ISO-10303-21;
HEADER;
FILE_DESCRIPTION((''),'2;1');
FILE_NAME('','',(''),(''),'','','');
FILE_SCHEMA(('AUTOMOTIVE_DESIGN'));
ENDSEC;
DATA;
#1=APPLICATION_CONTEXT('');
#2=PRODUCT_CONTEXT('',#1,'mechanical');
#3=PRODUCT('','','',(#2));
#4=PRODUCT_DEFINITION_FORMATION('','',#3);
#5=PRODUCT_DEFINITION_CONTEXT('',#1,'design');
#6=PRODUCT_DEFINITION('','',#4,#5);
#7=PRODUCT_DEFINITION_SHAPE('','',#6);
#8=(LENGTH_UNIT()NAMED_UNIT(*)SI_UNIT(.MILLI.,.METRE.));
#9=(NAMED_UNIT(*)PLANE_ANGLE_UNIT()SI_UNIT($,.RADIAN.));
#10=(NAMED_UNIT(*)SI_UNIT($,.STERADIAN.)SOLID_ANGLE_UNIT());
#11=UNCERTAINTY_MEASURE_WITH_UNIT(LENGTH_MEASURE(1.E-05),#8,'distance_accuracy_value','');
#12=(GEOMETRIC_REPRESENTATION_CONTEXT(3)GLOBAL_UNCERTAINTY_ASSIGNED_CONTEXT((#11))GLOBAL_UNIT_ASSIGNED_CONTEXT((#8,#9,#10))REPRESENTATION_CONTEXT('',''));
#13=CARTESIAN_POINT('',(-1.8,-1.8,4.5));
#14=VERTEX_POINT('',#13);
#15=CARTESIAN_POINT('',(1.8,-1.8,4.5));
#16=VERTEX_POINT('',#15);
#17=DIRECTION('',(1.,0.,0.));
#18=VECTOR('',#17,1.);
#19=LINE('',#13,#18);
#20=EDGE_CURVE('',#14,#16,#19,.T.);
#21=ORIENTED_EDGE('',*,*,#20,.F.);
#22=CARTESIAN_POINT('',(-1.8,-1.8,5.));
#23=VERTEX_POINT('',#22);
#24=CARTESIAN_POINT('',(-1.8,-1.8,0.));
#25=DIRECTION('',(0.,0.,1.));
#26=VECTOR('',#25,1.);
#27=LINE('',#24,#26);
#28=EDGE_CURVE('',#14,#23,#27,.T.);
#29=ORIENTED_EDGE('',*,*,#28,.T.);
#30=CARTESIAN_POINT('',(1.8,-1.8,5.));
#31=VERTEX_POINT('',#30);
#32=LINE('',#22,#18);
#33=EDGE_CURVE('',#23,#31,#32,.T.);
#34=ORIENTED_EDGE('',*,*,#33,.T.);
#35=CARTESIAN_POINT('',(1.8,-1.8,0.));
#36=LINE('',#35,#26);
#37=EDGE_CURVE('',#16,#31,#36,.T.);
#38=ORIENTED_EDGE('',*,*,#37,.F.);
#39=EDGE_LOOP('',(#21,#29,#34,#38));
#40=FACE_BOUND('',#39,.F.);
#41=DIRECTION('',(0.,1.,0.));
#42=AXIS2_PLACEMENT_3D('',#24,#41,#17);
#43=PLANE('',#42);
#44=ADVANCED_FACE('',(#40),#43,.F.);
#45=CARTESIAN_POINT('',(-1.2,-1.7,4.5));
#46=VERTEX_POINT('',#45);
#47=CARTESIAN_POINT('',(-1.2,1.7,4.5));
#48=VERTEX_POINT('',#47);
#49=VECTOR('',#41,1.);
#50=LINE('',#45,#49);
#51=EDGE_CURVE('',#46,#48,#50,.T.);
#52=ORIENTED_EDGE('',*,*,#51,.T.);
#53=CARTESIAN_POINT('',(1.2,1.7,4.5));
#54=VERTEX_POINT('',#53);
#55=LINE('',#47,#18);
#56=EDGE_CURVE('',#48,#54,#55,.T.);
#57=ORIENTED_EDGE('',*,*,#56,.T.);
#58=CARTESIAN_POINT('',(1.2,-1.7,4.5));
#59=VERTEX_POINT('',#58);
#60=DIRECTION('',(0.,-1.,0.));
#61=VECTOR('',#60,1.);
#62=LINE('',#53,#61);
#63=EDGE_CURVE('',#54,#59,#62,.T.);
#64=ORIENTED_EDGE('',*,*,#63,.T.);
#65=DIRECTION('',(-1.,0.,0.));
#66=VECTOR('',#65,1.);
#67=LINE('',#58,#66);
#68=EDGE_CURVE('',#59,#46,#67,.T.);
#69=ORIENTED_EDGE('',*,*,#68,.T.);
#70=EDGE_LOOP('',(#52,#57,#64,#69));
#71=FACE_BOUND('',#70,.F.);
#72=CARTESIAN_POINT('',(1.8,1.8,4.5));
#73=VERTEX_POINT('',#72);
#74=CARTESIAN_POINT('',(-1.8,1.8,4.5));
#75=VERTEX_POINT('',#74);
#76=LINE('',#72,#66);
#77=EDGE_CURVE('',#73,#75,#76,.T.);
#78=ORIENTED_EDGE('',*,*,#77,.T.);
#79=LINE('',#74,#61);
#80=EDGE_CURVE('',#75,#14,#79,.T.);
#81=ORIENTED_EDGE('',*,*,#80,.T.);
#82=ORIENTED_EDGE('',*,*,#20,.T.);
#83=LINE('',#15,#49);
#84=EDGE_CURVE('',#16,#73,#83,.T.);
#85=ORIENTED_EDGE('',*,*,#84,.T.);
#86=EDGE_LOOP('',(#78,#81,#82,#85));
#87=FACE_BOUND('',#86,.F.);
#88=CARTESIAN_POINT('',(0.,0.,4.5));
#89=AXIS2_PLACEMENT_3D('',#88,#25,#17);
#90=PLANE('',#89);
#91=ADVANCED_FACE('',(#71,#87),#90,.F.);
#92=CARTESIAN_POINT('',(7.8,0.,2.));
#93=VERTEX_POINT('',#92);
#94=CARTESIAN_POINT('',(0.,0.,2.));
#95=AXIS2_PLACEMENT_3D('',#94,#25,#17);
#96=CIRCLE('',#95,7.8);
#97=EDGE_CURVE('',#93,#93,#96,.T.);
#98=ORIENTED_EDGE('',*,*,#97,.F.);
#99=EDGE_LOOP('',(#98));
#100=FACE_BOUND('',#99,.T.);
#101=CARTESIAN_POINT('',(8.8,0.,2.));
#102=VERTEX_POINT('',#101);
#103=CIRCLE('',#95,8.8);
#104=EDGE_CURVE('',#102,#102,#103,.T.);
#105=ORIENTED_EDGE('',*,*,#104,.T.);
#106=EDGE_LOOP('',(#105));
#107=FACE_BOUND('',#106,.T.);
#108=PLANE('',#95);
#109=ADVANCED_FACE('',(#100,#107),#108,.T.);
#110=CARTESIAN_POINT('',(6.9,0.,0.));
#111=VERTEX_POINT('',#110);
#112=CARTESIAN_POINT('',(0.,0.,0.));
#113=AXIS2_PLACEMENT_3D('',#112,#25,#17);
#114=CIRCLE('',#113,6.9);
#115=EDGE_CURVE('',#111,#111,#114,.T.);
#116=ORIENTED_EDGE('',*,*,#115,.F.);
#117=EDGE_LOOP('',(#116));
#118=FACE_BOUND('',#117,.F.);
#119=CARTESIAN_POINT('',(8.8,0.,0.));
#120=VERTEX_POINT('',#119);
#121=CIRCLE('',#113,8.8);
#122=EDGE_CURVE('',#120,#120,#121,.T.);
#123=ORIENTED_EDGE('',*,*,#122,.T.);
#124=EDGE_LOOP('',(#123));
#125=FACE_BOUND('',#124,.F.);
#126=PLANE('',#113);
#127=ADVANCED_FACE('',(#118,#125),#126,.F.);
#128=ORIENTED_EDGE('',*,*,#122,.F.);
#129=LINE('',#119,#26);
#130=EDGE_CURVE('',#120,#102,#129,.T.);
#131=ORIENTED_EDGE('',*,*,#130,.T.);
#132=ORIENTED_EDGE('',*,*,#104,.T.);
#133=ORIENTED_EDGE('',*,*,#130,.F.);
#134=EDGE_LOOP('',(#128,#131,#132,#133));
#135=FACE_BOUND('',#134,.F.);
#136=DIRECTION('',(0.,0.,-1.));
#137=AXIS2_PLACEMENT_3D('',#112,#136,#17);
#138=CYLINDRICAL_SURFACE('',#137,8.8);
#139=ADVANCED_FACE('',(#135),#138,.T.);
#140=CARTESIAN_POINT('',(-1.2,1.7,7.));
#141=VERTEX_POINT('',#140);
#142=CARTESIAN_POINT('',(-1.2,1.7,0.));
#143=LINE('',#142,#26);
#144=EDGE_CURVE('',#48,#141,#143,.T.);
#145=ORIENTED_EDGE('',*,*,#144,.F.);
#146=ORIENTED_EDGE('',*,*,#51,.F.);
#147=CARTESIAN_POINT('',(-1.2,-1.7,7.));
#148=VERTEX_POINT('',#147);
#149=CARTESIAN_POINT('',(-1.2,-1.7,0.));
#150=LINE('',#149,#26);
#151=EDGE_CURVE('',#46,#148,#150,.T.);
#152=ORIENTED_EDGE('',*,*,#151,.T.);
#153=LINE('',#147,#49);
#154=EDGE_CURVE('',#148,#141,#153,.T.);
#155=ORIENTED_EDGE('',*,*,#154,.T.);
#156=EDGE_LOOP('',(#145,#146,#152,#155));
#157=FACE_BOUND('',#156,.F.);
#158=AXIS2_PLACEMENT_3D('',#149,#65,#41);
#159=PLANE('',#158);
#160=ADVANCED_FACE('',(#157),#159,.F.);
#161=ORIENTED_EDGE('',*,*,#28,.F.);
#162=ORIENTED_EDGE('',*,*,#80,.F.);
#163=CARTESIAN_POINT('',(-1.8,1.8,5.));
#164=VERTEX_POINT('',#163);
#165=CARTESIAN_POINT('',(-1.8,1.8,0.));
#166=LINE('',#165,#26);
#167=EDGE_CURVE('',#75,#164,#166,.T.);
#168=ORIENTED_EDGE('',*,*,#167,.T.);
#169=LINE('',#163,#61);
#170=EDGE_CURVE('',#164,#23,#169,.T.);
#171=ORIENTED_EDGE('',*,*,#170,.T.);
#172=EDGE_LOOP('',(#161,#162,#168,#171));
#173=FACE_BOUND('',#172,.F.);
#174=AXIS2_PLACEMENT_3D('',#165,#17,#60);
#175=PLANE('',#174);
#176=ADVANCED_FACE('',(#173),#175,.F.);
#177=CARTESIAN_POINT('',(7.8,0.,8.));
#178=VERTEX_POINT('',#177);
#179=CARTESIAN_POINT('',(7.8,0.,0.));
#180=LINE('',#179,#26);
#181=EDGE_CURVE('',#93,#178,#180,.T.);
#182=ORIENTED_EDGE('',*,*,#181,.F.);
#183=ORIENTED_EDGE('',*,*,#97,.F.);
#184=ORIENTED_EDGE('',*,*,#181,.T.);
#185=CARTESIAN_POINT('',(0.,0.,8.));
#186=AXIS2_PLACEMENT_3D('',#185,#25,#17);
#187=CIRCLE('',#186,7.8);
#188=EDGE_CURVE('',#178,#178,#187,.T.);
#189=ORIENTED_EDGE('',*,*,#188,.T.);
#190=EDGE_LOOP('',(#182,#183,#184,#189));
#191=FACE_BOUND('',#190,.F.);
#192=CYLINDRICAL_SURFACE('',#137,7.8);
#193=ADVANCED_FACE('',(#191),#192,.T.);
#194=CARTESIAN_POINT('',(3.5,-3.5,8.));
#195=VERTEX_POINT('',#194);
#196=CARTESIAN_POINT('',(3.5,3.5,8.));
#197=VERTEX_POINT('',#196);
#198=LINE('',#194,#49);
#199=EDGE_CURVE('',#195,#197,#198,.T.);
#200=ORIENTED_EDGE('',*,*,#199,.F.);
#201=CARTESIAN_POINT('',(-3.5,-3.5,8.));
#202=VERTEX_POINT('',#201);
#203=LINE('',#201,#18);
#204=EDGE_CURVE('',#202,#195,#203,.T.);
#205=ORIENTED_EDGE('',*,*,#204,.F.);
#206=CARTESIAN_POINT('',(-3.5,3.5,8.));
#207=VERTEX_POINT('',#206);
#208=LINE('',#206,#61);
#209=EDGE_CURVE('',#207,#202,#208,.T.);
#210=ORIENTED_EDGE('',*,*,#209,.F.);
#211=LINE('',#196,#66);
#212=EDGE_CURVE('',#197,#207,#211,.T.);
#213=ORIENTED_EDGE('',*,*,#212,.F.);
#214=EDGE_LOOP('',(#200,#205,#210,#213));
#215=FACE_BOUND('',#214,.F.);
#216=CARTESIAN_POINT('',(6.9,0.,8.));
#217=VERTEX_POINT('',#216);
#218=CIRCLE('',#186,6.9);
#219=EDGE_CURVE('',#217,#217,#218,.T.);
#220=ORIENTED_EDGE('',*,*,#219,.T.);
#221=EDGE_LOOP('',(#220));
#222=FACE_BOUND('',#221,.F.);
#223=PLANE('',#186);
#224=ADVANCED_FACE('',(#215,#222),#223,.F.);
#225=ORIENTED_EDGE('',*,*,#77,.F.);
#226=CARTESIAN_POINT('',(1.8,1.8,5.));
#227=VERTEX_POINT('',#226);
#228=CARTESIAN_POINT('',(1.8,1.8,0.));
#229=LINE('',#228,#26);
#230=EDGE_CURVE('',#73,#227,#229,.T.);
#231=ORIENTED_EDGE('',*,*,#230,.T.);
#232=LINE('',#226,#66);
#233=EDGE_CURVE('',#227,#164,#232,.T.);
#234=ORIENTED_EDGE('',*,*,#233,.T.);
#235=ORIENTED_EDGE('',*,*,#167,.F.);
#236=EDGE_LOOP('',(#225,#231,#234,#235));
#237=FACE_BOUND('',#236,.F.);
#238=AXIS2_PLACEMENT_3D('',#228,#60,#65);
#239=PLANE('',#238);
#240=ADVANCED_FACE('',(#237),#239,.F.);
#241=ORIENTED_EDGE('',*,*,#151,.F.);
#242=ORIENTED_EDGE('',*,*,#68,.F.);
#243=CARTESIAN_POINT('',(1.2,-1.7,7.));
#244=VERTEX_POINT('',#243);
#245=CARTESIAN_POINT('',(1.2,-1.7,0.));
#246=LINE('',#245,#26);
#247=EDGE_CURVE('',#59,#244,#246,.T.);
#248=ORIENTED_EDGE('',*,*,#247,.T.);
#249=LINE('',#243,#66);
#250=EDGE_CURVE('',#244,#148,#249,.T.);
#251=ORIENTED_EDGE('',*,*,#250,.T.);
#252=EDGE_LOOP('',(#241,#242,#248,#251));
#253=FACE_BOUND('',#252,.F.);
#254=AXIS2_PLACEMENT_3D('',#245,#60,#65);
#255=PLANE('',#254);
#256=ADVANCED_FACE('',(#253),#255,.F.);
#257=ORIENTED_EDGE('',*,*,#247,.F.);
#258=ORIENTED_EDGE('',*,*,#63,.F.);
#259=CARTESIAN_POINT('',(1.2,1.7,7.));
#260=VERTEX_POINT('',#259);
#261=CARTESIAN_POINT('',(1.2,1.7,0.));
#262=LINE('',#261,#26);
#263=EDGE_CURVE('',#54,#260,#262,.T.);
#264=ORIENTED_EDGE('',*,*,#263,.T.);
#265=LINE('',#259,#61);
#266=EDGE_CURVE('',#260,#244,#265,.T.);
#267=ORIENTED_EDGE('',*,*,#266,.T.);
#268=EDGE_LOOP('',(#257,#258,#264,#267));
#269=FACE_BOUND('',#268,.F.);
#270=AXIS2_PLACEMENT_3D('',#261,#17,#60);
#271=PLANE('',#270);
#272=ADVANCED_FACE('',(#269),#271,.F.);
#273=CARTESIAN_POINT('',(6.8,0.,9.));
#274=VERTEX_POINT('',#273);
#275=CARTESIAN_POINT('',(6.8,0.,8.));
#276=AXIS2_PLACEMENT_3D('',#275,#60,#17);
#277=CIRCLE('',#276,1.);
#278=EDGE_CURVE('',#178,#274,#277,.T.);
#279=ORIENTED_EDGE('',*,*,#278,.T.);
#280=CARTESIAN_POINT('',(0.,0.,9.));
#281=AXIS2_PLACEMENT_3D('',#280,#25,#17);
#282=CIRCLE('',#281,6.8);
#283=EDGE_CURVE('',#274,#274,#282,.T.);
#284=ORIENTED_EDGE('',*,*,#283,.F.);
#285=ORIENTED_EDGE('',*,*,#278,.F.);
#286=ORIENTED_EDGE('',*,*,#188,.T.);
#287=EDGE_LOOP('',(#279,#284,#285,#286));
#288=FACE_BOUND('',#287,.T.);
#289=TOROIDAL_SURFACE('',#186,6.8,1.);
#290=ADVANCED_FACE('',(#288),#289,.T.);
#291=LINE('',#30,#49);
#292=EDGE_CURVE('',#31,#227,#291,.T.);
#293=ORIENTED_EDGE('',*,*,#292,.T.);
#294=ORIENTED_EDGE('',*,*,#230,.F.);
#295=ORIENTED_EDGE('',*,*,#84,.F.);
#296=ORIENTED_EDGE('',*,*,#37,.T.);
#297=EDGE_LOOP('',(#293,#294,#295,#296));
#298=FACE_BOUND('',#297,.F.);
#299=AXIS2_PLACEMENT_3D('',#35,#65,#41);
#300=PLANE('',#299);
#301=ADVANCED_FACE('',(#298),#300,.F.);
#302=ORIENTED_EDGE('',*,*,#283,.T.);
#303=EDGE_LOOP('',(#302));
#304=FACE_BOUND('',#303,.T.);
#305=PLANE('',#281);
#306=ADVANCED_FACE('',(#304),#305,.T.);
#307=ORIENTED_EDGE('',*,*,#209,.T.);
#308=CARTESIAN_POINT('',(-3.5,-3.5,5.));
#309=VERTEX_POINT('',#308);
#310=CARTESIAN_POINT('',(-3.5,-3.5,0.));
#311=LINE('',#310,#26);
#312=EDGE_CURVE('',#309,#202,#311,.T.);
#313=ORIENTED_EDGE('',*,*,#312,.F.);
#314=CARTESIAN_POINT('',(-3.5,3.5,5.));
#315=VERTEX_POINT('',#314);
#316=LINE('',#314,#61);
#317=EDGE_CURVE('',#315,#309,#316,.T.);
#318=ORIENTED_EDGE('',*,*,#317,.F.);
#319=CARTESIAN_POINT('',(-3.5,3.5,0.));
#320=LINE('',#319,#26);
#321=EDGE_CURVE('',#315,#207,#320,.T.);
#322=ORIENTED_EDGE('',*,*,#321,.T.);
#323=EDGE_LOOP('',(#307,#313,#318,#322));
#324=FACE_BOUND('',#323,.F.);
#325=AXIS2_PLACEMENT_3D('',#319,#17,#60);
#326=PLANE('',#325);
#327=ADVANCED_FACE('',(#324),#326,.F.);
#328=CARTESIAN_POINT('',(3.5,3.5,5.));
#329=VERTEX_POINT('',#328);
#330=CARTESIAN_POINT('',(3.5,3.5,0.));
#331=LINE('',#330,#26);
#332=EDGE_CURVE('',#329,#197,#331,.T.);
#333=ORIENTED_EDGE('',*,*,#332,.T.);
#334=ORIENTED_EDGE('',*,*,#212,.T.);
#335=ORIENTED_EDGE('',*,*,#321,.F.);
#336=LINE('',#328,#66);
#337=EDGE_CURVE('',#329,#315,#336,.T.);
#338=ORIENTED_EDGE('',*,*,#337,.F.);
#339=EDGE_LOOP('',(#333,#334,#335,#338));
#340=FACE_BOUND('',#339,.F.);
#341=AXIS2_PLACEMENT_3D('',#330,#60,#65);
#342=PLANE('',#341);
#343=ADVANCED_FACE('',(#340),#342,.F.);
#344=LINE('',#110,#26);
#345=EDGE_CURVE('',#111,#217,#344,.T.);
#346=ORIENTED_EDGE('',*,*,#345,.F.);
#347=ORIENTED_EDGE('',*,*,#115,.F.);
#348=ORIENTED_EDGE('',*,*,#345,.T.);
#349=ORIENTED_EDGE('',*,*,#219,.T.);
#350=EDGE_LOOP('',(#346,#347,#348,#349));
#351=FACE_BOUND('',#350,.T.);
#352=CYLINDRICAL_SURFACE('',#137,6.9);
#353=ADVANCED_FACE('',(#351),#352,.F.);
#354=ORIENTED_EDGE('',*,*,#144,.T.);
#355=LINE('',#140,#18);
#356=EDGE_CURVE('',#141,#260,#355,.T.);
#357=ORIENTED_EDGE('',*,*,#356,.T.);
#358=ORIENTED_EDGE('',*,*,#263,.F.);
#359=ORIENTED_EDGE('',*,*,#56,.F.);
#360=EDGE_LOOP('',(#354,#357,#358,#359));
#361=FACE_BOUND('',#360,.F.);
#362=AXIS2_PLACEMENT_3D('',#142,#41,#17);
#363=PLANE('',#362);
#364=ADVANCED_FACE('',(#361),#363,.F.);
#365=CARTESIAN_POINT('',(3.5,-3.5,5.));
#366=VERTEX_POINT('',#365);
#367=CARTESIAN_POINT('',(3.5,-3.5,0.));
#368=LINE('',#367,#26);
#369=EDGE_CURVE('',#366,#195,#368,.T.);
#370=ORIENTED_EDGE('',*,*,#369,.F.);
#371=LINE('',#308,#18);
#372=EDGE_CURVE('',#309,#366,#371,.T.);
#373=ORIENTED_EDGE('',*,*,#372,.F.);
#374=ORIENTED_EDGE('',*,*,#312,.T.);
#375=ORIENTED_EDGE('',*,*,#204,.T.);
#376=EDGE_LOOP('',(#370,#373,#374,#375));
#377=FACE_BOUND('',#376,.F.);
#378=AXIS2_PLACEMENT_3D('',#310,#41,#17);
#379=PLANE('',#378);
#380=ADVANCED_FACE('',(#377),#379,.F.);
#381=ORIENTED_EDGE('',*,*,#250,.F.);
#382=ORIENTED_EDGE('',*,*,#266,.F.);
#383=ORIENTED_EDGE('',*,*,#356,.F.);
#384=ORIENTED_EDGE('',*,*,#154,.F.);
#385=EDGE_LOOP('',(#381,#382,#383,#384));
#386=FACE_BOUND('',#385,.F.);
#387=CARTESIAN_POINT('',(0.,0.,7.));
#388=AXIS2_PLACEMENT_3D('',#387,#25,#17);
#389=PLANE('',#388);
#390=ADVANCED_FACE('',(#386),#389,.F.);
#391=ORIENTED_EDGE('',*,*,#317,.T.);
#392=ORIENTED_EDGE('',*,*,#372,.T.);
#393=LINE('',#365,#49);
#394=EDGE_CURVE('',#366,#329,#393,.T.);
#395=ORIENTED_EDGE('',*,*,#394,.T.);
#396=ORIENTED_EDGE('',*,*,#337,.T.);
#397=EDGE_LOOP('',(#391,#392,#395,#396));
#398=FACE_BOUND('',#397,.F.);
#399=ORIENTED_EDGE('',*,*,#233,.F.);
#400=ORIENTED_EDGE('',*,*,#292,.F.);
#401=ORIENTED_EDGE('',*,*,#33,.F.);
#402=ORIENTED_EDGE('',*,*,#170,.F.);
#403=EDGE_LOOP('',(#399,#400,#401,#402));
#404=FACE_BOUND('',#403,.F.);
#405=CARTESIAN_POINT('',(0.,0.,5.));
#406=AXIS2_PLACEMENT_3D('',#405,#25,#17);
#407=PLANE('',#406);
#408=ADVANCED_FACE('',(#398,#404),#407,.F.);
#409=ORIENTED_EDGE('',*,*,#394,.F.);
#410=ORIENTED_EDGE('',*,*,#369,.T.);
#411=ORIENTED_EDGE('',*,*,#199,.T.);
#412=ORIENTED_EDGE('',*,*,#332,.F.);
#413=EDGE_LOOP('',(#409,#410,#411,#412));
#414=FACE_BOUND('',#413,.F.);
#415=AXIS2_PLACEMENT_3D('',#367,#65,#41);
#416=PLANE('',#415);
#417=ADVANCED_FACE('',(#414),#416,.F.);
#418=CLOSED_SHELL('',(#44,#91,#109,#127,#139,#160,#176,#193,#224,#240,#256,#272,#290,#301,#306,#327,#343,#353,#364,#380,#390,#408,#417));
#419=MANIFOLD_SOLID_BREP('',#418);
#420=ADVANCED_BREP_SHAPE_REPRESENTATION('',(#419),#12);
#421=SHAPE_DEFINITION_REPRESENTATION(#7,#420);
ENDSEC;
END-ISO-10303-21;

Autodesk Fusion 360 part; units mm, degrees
sketch "Skizze1" plane through (0, 0, 0) normal (0, 0, 1) x (1, 0, 0)
  circle A0 centre (0, 0) radius 7.8
  circle A1 centre (0, 0) radius 8.8
  line L0 (1.2, -1.7) -> (-1.2, -1.7)
  line L1 (-1.2, -1.7) -> (-1.2, 1.7)
  line L2 (-1.2, 1.7) -> (1.2, 1.7)
  line L3 (1.2, 1.7) -> (1.2, -1.7)
  line L4 (1.2, -1.7) -> (-1.2, 1.7) construction
  line L5 (-1.2, -1.7) -> (1.2, 1.7) construction
  line L6 (4.75, -4.75) -> (-4.75, 4.75) construction
  line L7 (-4.75, -4.75) -> (4.75, 4.75) construction
  circle A2 centre (0, 0) radius 6.9
  line L8 (-1.8, -1.8) -> (1.8, -1.8)
  line L9 (1.8, -1.8) -> (1.8, 1.8)
  line L10 (1.8, 1.8) -> (-1.8, 1.8)
  line L11 (-1.8, 1.8) -> (-1.8, -1.8)
  line L12 (-1.8, -1.8) -> (1.8, 1.8) construction
  line L13 (1.8, -1.8) -> (-1.8, 1.8) construction
  line L14 (-3.5, -3.5) -> (3.5, -3.5)
  line L15 (3.5, -3.5) -> (3.5, 3.5)
  line L16 (3.5, 3.5) -> (-3.5, 3.5)
  line L17 (-3.5, 3.5) -> (-3.5, -3.5)
  line L18 (-3.5, -3.5) -> (3.5, 3.5) construction
  line L19 (3.5, -3.5) -> (-3.5, 3.5) construction
  dimension "d1" = 15.6
  dimension "d2" = 17.6
  dimension "d5" = 2.4
  dimension "d6" = 3.4
  dimension "d17" = 13.8
  dimension "d18" = 3.6
  dimension "d19" = 3.6
  dimension "d20" = 7
  dimension "d21" = 7
extrude "Extrusion1" add sketch "Skizze1" along normal blind 9 contours A0 | L0 L1 L2 L3 | A2 | L8 L9 L10 L11 | L14 L15 L16 L17
extrude "Extrusion2" add sketch "Skizze1" along normal blind 2 contours A1
extrude "Extrusion5" cut sketch "Skizze1" along normal blind 8 contours A2
extrude "Extrusion6" cut sketch "Skizze1" along normal blind 5 contours L14 L15 L16 L17
extrude "Extrusion7" cut sketch "Skizze1" along normal blind 4.5 contours L8 L9 L10 L11
extrude "Extrusion8" cut sketch "Skizze1" along normal blind 7 contours L0 L1 L2 L3
fillet "Abrundung1" radius 1 1 edges at (-7.2722, -2.8206, 9)
